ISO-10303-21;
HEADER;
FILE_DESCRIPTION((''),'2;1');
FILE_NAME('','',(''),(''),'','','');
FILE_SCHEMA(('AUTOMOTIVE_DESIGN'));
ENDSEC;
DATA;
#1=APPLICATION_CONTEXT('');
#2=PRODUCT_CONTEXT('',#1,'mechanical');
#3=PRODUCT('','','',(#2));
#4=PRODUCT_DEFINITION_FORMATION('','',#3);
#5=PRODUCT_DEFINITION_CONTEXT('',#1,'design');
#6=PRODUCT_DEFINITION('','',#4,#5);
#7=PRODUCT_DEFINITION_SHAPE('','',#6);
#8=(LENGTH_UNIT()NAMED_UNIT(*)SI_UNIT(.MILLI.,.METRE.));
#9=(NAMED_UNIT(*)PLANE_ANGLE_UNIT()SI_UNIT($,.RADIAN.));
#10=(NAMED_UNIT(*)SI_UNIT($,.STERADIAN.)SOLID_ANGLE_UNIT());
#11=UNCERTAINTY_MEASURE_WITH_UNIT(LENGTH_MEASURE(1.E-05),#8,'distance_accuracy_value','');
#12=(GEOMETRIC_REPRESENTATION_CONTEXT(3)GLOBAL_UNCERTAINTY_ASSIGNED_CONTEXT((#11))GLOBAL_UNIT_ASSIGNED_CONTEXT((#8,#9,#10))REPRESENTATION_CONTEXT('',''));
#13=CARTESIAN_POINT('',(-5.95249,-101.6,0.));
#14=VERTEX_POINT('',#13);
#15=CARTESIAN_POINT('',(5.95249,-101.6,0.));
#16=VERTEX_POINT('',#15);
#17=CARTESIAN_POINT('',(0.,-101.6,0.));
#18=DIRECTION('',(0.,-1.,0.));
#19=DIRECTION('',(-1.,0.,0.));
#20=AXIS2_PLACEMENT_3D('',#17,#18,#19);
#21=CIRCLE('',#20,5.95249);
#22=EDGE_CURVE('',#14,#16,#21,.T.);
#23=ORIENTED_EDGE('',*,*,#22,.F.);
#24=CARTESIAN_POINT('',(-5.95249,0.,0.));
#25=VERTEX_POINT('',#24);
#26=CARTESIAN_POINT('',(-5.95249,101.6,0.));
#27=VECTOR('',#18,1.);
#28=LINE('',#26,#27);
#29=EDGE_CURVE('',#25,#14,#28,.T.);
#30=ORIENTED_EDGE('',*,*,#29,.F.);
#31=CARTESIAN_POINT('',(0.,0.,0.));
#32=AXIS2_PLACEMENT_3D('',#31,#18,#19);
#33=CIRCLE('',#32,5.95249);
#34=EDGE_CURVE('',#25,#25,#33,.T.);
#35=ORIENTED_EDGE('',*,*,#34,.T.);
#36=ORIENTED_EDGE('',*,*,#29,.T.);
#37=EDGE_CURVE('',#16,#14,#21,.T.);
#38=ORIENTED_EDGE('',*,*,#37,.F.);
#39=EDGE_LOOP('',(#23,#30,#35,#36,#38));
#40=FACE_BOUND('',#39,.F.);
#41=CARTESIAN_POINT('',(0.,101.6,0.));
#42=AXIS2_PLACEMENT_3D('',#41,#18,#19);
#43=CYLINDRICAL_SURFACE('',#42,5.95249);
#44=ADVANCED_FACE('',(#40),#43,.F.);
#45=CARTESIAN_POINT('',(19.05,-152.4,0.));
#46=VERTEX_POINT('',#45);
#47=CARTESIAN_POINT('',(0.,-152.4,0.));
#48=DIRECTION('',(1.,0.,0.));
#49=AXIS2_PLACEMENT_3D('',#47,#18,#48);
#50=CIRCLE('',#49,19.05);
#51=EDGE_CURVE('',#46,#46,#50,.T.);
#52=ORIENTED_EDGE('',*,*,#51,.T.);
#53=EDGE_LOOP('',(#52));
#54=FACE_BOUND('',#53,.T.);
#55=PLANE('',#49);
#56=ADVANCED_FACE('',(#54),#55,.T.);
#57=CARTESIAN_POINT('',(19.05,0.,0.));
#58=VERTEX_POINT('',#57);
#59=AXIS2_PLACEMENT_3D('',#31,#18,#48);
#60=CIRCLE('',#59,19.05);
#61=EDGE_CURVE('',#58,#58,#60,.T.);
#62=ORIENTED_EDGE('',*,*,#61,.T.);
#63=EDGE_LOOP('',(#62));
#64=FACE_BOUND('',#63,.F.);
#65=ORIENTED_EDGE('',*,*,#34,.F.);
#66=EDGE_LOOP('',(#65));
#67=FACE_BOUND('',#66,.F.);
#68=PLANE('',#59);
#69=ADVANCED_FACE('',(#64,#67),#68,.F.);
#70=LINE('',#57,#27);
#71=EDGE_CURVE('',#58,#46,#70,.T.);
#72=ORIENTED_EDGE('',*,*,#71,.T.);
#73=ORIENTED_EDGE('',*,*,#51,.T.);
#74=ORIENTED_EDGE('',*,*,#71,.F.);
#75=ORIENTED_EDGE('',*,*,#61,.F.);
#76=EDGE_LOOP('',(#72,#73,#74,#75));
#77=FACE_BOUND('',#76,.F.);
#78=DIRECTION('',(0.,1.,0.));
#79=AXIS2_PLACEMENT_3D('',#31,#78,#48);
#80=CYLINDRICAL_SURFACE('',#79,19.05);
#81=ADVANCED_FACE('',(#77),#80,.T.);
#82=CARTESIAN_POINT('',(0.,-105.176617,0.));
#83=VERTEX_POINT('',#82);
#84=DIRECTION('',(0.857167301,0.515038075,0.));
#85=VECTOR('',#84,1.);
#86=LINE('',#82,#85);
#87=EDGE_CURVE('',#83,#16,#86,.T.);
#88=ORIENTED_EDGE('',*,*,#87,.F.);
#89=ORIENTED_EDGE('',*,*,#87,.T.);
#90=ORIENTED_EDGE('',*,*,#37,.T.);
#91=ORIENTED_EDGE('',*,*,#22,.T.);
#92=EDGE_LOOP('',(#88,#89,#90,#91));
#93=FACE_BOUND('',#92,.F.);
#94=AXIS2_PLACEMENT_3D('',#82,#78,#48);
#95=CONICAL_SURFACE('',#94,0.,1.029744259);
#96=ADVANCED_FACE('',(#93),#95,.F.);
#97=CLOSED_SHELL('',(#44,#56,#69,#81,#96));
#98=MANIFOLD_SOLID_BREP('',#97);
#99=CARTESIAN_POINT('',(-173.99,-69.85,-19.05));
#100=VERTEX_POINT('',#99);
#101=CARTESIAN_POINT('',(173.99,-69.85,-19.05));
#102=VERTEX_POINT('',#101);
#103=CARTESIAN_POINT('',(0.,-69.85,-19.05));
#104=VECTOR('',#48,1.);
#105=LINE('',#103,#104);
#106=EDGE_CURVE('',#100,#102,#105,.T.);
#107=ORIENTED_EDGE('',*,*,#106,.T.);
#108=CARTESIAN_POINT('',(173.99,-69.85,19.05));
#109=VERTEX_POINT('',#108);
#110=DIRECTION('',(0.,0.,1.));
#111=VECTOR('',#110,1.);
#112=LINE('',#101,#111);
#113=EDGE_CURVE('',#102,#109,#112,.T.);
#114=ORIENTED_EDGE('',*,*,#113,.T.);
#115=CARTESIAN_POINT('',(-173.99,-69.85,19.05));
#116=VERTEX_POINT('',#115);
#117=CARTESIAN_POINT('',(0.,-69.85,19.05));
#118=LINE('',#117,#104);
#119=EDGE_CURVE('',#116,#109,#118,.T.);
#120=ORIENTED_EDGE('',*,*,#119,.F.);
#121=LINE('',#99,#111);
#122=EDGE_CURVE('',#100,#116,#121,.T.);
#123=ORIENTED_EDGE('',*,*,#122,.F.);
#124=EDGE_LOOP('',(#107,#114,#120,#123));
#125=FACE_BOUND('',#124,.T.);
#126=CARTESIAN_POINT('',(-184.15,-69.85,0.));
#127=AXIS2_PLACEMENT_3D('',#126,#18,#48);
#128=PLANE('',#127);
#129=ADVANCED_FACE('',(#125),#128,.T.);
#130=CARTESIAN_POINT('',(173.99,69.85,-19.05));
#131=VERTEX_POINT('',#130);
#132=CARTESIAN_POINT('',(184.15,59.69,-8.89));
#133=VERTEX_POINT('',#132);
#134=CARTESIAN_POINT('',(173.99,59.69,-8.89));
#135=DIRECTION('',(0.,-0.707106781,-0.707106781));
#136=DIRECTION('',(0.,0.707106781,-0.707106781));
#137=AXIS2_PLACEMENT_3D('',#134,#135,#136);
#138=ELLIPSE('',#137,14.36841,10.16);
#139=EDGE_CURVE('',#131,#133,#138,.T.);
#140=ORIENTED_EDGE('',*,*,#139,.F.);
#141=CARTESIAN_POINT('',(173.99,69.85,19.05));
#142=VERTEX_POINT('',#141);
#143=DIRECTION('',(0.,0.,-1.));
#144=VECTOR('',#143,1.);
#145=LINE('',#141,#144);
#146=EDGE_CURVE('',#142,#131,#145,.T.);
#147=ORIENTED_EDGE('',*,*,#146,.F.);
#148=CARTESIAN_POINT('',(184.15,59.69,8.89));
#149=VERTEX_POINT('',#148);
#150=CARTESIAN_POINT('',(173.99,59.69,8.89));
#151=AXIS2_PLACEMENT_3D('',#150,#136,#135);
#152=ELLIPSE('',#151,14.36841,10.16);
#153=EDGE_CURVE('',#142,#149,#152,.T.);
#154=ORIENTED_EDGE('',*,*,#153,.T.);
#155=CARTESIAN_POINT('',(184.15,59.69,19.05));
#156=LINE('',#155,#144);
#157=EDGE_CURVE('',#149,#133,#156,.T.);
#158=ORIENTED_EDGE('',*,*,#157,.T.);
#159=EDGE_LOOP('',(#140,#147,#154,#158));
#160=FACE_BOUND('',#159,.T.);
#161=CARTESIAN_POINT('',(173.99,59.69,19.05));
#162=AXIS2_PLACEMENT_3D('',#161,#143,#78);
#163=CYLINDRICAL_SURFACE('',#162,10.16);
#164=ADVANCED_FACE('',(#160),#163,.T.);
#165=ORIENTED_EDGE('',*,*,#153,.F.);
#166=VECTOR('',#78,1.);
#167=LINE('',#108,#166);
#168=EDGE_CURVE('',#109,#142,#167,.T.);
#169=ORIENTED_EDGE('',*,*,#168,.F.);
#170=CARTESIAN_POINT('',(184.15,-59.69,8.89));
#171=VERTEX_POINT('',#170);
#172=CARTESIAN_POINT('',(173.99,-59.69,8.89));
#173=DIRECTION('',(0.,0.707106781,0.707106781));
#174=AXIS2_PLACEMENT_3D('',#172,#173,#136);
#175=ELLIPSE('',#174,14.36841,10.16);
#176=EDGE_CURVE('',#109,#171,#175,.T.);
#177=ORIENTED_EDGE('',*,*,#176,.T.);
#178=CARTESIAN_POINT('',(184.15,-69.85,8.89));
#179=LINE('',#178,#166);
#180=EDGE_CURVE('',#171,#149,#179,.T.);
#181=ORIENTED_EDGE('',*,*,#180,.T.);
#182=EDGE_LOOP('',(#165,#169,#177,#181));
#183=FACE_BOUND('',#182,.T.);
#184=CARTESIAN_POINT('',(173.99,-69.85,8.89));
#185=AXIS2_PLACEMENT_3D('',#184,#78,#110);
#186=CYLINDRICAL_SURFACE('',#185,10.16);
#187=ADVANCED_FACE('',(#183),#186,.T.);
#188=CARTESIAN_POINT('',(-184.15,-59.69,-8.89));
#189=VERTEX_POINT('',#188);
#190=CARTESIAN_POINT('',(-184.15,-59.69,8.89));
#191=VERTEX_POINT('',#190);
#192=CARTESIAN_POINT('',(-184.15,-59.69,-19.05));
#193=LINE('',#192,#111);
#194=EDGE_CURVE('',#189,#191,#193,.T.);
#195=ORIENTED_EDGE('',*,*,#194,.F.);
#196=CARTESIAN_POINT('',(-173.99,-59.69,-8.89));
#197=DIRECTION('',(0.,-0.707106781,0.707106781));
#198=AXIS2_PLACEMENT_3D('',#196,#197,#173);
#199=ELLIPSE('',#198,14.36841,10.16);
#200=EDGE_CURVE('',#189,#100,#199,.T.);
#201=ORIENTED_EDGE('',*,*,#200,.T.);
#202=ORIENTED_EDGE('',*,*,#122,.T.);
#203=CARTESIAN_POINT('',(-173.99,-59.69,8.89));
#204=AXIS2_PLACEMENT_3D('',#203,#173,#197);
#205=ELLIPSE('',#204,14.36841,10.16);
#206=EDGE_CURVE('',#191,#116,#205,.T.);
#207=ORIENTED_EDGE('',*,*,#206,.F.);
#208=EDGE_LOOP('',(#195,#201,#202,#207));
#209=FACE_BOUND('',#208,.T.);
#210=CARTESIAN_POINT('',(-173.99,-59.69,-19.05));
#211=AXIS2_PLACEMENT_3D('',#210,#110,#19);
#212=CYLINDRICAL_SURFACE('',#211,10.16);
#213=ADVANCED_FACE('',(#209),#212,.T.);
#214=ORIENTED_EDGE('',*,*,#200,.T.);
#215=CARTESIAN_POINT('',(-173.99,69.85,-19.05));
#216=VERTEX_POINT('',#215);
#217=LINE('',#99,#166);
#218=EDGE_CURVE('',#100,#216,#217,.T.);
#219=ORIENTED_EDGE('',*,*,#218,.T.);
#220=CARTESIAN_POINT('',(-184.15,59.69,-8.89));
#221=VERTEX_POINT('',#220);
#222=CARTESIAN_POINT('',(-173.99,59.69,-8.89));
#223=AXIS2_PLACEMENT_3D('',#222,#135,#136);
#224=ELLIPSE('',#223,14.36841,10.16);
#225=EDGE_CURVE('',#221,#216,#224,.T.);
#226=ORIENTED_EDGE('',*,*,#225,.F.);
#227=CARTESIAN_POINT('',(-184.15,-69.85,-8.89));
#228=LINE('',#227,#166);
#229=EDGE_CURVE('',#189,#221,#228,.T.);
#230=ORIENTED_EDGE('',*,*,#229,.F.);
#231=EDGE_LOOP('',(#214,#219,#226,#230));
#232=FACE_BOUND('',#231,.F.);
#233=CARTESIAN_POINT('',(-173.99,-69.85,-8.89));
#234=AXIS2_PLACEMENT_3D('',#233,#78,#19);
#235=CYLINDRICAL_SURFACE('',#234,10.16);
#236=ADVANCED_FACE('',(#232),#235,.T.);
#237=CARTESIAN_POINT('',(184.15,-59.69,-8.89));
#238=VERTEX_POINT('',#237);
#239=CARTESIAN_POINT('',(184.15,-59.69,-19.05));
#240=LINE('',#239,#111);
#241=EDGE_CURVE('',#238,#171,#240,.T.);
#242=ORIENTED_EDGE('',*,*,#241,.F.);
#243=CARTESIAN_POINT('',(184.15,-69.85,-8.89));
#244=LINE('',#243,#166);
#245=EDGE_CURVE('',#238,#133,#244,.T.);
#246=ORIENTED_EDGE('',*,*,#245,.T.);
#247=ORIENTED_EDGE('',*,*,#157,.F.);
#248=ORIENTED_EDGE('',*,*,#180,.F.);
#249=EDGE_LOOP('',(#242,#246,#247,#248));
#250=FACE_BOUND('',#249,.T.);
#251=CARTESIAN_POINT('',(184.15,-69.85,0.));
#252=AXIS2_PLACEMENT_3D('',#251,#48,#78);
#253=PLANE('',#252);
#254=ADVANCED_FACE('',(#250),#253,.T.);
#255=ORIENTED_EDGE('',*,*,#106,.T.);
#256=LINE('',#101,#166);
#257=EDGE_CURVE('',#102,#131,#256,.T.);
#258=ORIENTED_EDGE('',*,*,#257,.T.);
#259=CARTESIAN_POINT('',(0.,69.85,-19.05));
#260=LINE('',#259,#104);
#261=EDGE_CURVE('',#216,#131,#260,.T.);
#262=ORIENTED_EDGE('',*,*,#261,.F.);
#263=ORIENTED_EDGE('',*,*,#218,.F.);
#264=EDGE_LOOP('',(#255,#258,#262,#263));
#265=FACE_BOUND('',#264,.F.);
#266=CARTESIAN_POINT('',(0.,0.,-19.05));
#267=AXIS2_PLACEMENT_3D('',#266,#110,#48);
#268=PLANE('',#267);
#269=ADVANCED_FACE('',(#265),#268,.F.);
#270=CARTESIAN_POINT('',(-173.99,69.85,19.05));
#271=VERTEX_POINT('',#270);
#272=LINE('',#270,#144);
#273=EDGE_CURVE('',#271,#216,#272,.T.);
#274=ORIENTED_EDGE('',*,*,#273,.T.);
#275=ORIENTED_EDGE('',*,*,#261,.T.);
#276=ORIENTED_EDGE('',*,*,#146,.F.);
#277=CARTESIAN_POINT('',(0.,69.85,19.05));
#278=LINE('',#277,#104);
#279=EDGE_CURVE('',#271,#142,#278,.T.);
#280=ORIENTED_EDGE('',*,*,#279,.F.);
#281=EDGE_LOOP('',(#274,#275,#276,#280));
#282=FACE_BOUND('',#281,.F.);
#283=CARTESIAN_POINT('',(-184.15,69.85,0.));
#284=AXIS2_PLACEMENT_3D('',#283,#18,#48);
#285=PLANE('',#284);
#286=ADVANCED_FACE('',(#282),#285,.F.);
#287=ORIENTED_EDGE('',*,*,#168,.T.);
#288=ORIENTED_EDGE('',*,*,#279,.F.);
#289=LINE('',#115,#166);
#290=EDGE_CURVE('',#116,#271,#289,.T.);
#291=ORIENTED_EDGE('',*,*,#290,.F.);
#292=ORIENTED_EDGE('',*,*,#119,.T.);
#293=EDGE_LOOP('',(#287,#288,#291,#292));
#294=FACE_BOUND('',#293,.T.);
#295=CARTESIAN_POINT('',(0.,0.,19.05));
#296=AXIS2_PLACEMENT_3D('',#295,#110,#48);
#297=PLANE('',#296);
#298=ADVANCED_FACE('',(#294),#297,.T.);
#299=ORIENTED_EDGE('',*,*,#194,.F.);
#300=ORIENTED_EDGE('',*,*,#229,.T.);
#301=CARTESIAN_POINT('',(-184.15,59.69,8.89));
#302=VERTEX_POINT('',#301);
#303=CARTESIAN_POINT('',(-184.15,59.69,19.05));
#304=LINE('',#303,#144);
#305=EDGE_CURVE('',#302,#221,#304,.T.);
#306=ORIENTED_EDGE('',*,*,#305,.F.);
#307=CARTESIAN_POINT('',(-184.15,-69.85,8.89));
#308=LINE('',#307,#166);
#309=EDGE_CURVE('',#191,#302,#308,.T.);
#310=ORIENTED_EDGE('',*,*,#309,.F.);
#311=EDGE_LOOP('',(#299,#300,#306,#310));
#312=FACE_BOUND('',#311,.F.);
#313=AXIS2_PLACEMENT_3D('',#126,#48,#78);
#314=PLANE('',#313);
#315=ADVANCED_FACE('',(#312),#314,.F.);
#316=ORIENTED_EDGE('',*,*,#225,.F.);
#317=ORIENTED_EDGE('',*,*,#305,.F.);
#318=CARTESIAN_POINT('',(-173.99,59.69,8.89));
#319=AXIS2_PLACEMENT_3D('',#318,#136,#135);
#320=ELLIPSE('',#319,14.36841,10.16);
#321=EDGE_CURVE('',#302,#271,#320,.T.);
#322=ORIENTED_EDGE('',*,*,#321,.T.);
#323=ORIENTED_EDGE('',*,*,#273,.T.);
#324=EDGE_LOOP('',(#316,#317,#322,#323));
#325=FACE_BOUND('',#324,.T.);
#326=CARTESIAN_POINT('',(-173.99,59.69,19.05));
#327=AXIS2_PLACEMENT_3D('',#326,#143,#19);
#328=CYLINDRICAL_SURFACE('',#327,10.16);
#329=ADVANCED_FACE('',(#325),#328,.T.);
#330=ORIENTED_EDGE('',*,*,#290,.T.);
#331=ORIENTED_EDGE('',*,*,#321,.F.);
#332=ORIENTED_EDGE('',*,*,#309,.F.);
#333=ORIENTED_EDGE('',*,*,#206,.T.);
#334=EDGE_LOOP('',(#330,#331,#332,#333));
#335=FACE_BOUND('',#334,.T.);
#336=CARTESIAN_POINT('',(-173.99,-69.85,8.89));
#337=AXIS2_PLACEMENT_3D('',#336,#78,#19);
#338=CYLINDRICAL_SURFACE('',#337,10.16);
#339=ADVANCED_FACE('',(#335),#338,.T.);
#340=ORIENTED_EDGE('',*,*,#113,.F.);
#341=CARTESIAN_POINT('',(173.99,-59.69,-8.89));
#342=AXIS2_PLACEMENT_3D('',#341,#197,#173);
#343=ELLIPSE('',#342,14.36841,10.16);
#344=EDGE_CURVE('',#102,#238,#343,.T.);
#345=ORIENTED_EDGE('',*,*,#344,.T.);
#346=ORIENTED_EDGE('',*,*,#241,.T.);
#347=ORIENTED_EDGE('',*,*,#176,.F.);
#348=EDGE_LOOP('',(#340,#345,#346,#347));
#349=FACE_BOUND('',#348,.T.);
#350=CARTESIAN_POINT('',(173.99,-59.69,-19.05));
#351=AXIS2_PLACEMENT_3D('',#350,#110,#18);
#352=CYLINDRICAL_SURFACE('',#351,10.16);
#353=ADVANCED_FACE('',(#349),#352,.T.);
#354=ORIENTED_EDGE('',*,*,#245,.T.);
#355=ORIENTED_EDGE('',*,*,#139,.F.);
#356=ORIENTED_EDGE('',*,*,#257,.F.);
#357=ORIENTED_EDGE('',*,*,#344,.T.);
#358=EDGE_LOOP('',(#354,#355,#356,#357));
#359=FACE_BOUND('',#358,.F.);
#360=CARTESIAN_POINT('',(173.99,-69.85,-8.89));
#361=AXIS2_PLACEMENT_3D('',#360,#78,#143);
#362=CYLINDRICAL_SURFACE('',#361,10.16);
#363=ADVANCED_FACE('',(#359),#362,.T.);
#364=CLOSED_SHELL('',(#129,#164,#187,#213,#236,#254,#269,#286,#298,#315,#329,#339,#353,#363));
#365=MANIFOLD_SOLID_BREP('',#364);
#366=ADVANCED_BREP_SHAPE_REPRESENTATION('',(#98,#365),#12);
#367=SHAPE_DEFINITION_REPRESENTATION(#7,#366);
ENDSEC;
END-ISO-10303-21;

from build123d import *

# Parameters (mm, degrees)
F0_R     = 19.05
F1_DEPTH = 152.4
F2_D     = 11.90498
F2_DEPTH = 101.6
F2_TIP   = 3.5766168262
F3_W     = 368.3
F3_H     = 139.7
F4_DEPTH = 19.05
F5_R     = 10.16
F6_R     = 10.16


with BuildPart() as f1:
    # F0 (on Front) → F1 (new body)
    with BuildSketch(Plane.XZ):
        Circle(F0_R)
    extrude(amount=F1_DEPTH)

    # F2
    with Locations(Plane(origin=(0, 0, 0), x_dir=(1, 0, 0), z_dir=(0, 1, 0))):
        with Locations((0, 0)):
            Hole(F2_D / 2, depth=F2_DEPTH)
            with Locations((0, 0, -(F2_DEPTH + F2_TIP / 2))):  # 118° drill point
                Cone(0, F2_D / 2, F2_TIP, mode=Mode.SUBTRACT)


with BuildPart() as f4:
    # F3 (on Top) → F4 (new body, symmetric)
    with BuildSketch(Plane.XY):
        Rectangle(F3_W, F3_H)
    extrude(amount=F4_DEPTH, both=True)

    # F5
    f5_edges = [f4.edges().sort_by_distance(p)[0] for p in [
        (-184.15, 69.85, 0),
        (-184.15, 0, -19.05),
        (-184.15, -69.85, 0),
        (-184.15, 0, 19.05),
    ]]
    fillet(f5_edges, radius=F5_R)

    # F6
    f6_edges = [f4.edges().sort_by_distance(p)[0] for p in [
        (184.15, 0, -19.05),
        (184.15, 69.85, 0),
        (184.15, 0, 19.05),
        (184.15, -69.85, 0),
    ]]
    fillet(f6_edges, radius=F6_R)


solid = Compound([f1.part, f4.part])
